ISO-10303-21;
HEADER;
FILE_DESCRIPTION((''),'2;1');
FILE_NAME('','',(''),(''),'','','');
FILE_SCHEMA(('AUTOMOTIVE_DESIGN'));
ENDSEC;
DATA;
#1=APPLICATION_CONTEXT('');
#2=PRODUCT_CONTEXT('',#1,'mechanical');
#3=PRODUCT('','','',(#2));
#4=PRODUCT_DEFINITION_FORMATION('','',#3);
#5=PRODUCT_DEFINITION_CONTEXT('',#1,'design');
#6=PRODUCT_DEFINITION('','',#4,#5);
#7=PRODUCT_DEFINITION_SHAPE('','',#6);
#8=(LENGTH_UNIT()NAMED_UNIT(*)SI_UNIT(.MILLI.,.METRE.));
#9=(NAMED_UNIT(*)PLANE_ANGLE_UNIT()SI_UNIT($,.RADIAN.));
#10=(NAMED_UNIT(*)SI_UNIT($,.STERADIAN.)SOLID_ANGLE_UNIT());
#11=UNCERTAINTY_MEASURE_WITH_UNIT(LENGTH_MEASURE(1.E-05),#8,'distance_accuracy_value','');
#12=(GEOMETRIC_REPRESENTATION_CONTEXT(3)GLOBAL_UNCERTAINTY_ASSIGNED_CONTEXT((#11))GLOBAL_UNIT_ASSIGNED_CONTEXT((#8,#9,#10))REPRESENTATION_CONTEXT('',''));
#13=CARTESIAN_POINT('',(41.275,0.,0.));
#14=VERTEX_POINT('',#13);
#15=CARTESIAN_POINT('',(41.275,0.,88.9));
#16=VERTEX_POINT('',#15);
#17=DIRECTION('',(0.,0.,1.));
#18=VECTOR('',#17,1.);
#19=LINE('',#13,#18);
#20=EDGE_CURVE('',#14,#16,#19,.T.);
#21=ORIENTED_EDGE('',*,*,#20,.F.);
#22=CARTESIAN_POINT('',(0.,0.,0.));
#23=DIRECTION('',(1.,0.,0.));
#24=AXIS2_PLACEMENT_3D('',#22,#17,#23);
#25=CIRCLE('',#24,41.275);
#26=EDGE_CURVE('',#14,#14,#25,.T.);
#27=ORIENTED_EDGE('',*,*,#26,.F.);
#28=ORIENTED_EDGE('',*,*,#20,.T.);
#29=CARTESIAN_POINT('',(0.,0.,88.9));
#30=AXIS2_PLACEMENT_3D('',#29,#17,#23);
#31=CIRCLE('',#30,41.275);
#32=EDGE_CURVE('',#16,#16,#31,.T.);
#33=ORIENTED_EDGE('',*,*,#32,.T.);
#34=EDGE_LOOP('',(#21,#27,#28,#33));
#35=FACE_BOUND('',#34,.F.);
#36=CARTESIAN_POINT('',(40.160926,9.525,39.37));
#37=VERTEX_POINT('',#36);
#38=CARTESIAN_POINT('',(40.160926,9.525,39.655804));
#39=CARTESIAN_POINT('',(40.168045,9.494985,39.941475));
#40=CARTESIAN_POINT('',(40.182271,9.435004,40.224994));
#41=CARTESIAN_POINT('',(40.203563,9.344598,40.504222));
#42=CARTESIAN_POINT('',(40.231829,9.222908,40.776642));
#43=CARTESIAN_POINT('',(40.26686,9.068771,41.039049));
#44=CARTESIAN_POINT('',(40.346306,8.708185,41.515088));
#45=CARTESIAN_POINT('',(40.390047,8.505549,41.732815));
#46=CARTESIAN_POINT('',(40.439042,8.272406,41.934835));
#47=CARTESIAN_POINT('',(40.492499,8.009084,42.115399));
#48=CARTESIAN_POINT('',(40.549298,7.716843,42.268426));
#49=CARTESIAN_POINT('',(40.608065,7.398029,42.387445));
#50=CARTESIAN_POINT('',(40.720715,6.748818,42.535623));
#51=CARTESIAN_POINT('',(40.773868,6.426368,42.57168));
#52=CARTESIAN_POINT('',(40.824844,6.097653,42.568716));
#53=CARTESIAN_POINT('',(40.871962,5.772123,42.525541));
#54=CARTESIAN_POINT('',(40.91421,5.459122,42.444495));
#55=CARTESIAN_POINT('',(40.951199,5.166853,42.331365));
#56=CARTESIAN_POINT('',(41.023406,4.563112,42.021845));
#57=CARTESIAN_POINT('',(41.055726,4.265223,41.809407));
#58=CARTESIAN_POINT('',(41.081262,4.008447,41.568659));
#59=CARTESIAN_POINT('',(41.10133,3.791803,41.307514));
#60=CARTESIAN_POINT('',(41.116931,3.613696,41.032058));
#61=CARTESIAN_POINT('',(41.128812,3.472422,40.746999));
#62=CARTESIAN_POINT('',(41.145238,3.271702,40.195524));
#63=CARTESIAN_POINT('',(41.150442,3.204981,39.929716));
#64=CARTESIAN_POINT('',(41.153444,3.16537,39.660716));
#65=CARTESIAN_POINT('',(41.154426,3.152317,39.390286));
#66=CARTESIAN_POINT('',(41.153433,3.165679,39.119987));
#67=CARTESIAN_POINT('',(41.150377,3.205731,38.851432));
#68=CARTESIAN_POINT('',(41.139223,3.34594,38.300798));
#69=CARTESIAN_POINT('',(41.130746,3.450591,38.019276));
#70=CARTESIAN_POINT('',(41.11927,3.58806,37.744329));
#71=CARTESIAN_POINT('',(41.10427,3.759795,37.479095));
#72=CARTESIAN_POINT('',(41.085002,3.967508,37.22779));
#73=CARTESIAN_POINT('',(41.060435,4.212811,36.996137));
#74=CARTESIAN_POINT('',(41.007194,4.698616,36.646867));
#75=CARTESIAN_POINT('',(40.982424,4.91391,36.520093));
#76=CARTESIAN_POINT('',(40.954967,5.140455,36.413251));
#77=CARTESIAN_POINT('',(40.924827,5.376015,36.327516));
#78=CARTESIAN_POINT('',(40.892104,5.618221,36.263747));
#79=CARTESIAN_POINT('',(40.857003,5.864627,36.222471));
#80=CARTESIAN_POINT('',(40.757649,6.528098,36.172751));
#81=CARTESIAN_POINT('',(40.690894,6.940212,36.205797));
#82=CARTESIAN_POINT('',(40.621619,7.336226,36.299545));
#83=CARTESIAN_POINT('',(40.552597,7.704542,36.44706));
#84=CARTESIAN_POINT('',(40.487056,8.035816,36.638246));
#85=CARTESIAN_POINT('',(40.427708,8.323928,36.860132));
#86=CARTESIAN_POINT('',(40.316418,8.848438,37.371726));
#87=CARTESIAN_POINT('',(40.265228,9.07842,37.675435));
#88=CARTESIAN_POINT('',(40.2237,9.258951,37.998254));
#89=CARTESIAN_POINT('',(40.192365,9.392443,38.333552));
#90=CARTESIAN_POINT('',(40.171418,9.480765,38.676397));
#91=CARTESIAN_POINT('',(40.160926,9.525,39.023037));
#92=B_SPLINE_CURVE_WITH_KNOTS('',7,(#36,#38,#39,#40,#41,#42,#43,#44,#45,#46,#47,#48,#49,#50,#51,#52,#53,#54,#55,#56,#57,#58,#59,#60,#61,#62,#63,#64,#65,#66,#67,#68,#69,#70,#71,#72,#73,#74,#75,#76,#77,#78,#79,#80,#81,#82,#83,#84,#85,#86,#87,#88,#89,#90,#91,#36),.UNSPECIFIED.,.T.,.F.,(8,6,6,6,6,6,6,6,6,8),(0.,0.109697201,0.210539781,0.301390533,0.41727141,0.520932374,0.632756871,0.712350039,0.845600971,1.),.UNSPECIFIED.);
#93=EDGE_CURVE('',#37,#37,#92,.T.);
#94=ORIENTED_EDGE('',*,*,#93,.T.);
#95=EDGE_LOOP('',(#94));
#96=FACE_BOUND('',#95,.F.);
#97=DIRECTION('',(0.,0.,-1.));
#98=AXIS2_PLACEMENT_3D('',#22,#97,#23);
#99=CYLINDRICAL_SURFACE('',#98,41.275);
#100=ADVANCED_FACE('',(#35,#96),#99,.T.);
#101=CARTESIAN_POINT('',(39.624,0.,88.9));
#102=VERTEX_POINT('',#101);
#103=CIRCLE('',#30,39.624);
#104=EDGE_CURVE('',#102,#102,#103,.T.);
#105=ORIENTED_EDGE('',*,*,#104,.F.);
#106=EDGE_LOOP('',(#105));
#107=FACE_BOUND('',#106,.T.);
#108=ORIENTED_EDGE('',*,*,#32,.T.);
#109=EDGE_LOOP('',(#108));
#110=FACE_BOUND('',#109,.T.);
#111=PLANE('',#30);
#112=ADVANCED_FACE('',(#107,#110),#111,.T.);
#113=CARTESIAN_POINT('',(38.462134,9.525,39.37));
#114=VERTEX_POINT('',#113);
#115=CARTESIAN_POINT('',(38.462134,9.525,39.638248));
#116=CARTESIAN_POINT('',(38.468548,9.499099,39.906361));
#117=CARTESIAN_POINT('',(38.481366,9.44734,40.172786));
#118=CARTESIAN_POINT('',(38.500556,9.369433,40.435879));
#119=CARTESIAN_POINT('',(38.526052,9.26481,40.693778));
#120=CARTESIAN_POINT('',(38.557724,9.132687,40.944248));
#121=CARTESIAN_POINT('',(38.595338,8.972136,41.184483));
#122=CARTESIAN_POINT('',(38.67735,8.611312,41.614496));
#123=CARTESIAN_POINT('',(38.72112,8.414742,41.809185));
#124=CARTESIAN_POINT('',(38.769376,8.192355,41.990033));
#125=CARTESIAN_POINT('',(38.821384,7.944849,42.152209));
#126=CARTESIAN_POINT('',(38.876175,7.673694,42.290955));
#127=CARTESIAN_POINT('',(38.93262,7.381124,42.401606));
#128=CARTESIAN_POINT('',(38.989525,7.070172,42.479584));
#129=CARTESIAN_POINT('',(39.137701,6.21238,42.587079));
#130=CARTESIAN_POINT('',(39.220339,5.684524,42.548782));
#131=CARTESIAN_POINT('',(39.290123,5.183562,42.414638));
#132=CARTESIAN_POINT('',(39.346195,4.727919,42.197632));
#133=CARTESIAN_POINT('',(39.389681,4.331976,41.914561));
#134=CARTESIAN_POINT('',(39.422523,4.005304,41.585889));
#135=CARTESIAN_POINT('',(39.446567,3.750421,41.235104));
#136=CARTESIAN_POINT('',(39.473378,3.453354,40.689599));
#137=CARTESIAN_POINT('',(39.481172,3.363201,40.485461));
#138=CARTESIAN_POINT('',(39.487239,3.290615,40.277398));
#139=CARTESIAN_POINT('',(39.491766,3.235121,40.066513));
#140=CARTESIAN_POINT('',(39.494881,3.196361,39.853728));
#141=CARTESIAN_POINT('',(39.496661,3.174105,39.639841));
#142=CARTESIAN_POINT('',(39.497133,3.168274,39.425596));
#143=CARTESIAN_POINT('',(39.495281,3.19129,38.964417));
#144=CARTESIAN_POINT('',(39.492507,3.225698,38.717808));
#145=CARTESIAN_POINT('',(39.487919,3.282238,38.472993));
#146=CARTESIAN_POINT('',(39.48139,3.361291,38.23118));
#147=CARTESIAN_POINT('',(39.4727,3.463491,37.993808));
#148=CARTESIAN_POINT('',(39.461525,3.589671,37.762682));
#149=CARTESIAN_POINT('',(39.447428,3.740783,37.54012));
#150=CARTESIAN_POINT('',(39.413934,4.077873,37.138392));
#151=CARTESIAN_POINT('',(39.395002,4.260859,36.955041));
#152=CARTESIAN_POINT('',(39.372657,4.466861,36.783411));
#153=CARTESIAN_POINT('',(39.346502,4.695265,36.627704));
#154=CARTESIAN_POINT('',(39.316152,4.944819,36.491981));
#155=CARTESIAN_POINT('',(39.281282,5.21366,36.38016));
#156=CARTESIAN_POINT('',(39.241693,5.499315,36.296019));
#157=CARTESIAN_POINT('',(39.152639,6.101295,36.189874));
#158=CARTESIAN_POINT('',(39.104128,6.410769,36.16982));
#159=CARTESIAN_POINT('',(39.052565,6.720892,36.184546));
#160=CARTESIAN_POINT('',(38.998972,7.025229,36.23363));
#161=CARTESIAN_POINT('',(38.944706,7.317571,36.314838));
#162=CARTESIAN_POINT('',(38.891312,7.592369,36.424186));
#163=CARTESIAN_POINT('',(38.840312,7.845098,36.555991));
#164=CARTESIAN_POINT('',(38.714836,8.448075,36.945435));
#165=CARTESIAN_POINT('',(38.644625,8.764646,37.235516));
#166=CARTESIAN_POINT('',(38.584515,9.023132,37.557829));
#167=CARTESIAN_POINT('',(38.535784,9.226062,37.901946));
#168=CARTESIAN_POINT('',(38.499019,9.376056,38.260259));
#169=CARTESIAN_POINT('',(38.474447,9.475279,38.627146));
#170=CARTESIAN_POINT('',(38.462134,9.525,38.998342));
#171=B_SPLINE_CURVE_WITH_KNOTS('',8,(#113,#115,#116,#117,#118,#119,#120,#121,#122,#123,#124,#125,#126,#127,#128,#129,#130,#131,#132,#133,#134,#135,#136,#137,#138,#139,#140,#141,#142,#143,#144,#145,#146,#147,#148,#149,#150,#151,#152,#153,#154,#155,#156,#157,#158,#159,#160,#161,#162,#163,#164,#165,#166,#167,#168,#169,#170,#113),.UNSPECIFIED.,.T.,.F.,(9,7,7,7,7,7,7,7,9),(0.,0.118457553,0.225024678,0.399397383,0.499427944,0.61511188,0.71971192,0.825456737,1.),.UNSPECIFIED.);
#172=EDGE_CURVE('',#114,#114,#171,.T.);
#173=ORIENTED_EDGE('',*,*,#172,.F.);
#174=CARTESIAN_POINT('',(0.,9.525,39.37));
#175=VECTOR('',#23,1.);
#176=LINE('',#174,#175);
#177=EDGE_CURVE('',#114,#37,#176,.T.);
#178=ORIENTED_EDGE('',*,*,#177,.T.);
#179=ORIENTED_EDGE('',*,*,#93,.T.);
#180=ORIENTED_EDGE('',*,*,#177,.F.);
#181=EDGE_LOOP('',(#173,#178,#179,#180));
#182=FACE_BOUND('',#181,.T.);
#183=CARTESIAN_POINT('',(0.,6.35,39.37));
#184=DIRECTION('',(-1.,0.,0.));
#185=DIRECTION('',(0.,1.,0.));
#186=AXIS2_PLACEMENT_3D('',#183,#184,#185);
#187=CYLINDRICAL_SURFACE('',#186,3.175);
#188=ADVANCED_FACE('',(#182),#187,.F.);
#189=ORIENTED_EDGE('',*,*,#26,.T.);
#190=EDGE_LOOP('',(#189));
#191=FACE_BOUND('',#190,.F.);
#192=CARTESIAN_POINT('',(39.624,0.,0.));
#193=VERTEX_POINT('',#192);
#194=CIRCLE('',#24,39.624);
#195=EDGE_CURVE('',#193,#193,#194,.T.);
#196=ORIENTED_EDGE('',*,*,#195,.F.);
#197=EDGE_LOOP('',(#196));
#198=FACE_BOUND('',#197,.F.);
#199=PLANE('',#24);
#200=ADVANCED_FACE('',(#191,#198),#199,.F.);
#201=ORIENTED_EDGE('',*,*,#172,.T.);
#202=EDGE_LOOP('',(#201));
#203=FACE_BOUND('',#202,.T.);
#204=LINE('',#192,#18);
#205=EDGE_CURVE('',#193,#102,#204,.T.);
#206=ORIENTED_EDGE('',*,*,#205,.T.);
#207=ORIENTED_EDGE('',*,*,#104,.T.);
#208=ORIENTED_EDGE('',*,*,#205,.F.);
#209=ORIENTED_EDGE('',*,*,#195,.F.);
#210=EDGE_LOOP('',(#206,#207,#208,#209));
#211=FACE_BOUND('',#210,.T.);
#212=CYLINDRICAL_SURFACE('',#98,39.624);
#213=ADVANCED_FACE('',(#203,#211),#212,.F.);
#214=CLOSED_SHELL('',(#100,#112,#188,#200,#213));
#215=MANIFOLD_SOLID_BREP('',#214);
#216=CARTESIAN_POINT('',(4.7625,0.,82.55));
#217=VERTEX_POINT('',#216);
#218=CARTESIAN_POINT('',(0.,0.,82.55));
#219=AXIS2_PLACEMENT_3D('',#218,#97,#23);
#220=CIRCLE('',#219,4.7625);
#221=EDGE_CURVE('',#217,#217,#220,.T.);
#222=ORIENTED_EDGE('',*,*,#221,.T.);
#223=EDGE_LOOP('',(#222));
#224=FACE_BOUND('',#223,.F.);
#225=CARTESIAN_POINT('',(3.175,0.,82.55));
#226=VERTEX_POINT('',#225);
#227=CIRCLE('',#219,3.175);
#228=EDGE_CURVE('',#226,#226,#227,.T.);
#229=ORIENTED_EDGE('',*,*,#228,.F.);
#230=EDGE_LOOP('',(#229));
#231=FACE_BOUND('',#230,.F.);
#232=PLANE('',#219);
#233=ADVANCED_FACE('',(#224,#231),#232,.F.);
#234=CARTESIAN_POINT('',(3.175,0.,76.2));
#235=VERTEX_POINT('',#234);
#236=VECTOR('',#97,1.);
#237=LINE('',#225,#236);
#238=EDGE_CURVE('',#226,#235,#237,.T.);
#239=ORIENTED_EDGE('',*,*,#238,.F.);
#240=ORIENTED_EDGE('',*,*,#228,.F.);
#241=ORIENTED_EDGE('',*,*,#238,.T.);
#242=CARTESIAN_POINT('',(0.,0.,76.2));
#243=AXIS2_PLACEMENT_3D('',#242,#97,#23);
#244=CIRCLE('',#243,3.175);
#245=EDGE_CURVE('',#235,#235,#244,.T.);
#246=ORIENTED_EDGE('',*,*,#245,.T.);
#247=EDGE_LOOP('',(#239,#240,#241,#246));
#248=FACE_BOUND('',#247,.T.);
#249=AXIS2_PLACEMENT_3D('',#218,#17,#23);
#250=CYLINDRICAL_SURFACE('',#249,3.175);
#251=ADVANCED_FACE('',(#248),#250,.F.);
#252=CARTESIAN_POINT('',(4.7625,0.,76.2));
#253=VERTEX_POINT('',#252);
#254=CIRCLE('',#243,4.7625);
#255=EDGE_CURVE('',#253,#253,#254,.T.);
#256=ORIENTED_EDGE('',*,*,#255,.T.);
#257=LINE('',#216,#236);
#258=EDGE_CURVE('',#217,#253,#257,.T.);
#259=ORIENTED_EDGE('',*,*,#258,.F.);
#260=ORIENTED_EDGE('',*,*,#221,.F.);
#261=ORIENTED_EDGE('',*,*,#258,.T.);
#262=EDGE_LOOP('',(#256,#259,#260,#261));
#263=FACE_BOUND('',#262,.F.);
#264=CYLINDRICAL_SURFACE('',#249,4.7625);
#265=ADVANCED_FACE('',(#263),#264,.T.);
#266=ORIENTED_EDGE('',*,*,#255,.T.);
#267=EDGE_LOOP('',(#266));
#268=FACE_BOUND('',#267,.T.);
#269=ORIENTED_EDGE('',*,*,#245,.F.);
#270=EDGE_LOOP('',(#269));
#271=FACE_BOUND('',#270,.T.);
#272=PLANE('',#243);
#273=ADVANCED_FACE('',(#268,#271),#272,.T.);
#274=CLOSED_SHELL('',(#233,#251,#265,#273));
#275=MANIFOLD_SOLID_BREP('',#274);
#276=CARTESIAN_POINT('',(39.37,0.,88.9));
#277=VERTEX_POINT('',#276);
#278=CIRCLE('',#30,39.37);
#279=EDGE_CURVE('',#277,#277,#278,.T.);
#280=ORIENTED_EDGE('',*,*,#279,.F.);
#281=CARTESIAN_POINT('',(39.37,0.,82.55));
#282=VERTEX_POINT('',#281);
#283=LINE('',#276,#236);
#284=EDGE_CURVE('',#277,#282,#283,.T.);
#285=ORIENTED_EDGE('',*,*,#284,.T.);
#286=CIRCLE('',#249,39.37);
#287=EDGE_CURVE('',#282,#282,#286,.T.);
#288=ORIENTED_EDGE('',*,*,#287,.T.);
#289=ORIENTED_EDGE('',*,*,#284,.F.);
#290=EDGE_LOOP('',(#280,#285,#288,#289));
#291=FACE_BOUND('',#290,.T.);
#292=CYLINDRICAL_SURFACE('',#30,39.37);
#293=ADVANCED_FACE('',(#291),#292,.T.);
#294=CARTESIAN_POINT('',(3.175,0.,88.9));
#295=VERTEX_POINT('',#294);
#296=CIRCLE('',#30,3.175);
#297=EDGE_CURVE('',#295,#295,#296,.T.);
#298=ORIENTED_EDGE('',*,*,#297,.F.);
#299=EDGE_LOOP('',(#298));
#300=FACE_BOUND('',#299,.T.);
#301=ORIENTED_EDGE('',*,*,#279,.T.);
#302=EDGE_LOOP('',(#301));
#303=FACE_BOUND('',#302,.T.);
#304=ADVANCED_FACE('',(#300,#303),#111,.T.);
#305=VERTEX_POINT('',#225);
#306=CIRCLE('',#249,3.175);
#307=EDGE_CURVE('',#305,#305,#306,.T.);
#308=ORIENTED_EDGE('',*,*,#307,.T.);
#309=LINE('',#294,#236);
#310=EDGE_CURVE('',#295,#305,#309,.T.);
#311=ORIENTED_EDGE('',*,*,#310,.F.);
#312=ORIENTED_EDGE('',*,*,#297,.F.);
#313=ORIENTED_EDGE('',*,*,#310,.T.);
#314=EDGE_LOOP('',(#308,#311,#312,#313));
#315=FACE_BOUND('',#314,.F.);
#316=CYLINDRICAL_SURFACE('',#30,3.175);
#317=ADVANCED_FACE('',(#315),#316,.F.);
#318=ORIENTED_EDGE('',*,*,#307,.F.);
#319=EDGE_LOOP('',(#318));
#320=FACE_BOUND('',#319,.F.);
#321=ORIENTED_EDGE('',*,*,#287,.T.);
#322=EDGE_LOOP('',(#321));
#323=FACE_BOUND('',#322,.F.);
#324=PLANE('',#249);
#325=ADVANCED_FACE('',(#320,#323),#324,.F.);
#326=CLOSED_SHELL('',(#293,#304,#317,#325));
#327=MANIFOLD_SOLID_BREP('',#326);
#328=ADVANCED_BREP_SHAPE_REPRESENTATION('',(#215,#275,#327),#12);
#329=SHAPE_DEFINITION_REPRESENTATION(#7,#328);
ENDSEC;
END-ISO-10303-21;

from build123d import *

# Parameters (mm, degrees)
F0_R     = 41.275
F0_R_2   = 39.624
F1_DEPTH = 88.9
F2_R     = 39.37
F2_R_2   = 3.175
F3_DEPTH = 6.35
F4_R     = 3.175
F5_DEPTH = 127
F6_R     = 4.7625
F6_R_2   = 3.175
F7_DEPTH = 6.35


with BuildPart() as f1:
    # F0 (on Top) → F1 (new body)
    with BuildSketch(Plane.XY):
        Circle(F0_R)
        Circle(F0_R_2, mode=Mode.SUBTRACT)
    extrude(amount=F1_DEPTH)

    # F4 (on Right) → F5 (cut)
    with BuildSketch(Plane.YZ):
        with Locations((6.35, 39.37)):
            Circle(F4_R)
    extrude(amount=F5_DEPTH, mode=Mode.SUBTRACT)


with BuildPart() as f3:
    # F2 (on face) → F3 (new body)
    with BuildSketch(Plane.XY.offset(88.9)):
        Circle(F2_R)
        Circle(F2_R_2, mode=Mode.SUBTRACT)
    extrude(amount=-F3_DEPTH)


with BuildPart() as f7:
    # F6 (on face) → F7 (new body)
    with BuildSketch(Plane(origin=(0, 0, 82.55), x_dir=(1, 0, 0), z_dir=(0, 0, -1))):
        Circle(F6_R)
        Circle(F6_R_2, mode=Mode.SUBTRACT)
    extrude(amount=F7_DEPTH)


solid = Compound([f1.part, f3.part, f7.part])
